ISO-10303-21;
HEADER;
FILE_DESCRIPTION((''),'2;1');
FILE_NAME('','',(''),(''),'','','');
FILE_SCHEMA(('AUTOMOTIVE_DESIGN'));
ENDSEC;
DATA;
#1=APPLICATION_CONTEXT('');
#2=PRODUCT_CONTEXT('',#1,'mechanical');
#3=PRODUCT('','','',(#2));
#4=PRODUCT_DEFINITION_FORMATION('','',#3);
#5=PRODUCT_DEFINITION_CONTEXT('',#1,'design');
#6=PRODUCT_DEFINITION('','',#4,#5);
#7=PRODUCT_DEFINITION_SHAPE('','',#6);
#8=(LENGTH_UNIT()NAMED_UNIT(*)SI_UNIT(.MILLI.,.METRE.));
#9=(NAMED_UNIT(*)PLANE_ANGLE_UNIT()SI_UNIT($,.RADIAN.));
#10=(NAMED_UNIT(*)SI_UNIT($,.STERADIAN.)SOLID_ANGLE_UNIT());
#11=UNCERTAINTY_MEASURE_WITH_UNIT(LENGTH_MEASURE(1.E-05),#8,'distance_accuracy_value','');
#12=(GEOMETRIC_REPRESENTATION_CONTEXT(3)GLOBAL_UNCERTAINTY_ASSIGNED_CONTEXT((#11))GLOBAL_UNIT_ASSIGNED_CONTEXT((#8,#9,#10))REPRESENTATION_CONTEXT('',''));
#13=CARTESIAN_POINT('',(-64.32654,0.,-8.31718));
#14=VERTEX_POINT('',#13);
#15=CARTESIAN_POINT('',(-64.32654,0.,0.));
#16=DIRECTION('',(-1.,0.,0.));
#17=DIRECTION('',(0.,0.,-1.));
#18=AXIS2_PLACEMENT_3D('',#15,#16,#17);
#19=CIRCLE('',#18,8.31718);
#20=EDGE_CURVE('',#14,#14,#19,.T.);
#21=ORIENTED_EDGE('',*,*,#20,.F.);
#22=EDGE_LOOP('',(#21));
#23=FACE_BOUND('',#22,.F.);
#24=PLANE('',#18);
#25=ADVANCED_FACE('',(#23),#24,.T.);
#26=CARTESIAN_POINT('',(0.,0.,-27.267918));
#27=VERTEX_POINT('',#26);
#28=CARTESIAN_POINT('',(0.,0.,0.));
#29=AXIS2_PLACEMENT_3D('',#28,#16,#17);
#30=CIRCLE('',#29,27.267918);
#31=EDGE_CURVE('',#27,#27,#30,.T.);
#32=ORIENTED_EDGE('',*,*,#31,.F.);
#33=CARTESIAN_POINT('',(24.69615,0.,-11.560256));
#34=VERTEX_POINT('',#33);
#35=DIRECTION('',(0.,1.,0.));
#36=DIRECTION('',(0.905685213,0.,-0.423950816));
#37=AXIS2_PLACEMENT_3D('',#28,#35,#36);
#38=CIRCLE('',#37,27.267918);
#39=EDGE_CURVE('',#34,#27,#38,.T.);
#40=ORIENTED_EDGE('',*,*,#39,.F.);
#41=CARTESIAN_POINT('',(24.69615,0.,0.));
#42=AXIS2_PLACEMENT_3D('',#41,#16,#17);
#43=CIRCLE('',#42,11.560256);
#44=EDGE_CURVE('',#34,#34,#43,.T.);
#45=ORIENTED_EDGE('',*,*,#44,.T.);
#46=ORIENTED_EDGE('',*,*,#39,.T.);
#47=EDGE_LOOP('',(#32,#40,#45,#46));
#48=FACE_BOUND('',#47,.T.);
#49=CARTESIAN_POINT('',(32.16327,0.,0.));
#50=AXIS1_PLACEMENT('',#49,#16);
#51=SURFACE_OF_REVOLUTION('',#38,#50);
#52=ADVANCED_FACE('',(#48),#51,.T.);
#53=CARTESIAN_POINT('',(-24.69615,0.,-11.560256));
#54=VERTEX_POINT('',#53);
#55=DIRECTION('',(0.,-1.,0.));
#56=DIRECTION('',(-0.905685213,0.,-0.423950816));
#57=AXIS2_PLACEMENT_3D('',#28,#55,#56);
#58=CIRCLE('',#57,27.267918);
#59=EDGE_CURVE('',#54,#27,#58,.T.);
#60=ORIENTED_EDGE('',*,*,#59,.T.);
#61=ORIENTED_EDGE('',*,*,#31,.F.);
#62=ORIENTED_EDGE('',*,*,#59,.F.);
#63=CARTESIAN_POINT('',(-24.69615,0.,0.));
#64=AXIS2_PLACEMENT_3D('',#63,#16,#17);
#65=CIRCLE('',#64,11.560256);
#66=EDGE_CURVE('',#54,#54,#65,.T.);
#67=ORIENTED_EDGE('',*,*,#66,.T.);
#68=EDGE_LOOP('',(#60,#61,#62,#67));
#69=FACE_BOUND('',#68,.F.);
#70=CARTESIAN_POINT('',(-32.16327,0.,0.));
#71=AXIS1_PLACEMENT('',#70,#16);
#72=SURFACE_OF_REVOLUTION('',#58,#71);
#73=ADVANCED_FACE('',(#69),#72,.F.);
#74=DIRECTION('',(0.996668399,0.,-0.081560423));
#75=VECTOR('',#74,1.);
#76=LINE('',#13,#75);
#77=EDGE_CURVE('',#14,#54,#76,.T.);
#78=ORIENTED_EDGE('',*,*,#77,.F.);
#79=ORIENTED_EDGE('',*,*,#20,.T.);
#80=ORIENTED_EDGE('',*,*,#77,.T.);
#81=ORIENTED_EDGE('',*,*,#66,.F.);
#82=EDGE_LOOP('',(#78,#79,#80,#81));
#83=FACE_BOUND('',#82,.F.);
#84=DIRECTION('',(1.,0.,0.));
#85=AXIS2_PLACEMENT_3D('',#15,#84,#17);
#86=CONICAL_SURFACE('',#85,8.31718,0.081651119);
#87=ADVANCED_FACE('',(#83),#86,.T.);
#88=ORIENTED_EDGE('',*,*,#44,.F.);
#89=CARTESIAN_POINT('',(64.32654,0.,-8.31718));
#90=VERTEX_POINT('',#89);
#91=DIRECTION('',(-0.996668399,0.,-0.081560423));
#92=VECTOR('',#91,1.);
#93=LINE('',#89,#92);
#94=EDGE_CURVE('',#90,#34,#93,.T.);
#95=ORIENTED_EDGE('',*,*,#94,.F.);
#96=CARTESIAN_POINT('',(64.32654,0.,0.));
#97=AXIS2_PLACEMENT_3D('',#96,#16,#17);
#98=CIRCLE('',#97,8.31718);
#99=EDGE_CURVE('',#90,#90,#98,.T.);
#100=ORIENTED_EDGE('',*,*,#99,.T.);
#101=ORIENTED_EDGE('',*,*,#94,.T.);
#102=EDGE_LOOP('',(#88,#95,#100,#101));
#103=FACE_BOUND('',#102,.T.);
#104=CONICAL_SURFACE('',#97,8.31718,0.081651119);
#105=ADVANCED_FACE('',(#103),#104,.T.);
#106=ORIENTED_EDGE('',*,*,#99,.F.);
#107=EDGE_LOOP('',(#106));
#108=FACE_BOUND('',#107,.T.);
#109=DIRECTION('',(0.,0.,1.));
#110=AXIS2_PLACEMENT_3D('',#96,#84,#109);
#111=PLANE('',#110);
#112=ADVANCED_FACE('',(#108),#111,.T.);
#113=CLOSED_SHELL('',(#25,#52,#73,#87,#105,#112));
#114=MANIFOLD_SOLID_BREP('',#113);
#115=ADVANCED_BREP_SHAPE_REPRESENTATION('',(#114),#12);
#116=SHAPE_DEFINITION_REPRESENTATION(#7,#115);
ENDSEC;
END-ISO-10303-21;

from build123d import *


with BuildPart() as f1:
    # F0 (on Front) → F1 (revolve)
    with BuildSketch(Plane.XZ):
        with BuildLine():
            Line((-64.32654, -8.31718), (-24.69615, -11.560256))
            ThreePointArc((-24.69615, -11.560256), (-14.634125, -23.008297), (0, -27.267918))
            Line((0, -27.267918), (0, 0))
            Line((0, 0), (-64.32654, 0))
            Line((-64.32654, 0), (-64.32654, -8.31718))
        make_face()
    revolve(axis=Axis((-32.16327, 0, 0), (-1, 0, 0)))

    # F2: F1 across plane


with BuildPart() as f1_1:
    add(f1.part)
    add(f1.part.mirror(Plane.YZ))


solid = f1_1.part
